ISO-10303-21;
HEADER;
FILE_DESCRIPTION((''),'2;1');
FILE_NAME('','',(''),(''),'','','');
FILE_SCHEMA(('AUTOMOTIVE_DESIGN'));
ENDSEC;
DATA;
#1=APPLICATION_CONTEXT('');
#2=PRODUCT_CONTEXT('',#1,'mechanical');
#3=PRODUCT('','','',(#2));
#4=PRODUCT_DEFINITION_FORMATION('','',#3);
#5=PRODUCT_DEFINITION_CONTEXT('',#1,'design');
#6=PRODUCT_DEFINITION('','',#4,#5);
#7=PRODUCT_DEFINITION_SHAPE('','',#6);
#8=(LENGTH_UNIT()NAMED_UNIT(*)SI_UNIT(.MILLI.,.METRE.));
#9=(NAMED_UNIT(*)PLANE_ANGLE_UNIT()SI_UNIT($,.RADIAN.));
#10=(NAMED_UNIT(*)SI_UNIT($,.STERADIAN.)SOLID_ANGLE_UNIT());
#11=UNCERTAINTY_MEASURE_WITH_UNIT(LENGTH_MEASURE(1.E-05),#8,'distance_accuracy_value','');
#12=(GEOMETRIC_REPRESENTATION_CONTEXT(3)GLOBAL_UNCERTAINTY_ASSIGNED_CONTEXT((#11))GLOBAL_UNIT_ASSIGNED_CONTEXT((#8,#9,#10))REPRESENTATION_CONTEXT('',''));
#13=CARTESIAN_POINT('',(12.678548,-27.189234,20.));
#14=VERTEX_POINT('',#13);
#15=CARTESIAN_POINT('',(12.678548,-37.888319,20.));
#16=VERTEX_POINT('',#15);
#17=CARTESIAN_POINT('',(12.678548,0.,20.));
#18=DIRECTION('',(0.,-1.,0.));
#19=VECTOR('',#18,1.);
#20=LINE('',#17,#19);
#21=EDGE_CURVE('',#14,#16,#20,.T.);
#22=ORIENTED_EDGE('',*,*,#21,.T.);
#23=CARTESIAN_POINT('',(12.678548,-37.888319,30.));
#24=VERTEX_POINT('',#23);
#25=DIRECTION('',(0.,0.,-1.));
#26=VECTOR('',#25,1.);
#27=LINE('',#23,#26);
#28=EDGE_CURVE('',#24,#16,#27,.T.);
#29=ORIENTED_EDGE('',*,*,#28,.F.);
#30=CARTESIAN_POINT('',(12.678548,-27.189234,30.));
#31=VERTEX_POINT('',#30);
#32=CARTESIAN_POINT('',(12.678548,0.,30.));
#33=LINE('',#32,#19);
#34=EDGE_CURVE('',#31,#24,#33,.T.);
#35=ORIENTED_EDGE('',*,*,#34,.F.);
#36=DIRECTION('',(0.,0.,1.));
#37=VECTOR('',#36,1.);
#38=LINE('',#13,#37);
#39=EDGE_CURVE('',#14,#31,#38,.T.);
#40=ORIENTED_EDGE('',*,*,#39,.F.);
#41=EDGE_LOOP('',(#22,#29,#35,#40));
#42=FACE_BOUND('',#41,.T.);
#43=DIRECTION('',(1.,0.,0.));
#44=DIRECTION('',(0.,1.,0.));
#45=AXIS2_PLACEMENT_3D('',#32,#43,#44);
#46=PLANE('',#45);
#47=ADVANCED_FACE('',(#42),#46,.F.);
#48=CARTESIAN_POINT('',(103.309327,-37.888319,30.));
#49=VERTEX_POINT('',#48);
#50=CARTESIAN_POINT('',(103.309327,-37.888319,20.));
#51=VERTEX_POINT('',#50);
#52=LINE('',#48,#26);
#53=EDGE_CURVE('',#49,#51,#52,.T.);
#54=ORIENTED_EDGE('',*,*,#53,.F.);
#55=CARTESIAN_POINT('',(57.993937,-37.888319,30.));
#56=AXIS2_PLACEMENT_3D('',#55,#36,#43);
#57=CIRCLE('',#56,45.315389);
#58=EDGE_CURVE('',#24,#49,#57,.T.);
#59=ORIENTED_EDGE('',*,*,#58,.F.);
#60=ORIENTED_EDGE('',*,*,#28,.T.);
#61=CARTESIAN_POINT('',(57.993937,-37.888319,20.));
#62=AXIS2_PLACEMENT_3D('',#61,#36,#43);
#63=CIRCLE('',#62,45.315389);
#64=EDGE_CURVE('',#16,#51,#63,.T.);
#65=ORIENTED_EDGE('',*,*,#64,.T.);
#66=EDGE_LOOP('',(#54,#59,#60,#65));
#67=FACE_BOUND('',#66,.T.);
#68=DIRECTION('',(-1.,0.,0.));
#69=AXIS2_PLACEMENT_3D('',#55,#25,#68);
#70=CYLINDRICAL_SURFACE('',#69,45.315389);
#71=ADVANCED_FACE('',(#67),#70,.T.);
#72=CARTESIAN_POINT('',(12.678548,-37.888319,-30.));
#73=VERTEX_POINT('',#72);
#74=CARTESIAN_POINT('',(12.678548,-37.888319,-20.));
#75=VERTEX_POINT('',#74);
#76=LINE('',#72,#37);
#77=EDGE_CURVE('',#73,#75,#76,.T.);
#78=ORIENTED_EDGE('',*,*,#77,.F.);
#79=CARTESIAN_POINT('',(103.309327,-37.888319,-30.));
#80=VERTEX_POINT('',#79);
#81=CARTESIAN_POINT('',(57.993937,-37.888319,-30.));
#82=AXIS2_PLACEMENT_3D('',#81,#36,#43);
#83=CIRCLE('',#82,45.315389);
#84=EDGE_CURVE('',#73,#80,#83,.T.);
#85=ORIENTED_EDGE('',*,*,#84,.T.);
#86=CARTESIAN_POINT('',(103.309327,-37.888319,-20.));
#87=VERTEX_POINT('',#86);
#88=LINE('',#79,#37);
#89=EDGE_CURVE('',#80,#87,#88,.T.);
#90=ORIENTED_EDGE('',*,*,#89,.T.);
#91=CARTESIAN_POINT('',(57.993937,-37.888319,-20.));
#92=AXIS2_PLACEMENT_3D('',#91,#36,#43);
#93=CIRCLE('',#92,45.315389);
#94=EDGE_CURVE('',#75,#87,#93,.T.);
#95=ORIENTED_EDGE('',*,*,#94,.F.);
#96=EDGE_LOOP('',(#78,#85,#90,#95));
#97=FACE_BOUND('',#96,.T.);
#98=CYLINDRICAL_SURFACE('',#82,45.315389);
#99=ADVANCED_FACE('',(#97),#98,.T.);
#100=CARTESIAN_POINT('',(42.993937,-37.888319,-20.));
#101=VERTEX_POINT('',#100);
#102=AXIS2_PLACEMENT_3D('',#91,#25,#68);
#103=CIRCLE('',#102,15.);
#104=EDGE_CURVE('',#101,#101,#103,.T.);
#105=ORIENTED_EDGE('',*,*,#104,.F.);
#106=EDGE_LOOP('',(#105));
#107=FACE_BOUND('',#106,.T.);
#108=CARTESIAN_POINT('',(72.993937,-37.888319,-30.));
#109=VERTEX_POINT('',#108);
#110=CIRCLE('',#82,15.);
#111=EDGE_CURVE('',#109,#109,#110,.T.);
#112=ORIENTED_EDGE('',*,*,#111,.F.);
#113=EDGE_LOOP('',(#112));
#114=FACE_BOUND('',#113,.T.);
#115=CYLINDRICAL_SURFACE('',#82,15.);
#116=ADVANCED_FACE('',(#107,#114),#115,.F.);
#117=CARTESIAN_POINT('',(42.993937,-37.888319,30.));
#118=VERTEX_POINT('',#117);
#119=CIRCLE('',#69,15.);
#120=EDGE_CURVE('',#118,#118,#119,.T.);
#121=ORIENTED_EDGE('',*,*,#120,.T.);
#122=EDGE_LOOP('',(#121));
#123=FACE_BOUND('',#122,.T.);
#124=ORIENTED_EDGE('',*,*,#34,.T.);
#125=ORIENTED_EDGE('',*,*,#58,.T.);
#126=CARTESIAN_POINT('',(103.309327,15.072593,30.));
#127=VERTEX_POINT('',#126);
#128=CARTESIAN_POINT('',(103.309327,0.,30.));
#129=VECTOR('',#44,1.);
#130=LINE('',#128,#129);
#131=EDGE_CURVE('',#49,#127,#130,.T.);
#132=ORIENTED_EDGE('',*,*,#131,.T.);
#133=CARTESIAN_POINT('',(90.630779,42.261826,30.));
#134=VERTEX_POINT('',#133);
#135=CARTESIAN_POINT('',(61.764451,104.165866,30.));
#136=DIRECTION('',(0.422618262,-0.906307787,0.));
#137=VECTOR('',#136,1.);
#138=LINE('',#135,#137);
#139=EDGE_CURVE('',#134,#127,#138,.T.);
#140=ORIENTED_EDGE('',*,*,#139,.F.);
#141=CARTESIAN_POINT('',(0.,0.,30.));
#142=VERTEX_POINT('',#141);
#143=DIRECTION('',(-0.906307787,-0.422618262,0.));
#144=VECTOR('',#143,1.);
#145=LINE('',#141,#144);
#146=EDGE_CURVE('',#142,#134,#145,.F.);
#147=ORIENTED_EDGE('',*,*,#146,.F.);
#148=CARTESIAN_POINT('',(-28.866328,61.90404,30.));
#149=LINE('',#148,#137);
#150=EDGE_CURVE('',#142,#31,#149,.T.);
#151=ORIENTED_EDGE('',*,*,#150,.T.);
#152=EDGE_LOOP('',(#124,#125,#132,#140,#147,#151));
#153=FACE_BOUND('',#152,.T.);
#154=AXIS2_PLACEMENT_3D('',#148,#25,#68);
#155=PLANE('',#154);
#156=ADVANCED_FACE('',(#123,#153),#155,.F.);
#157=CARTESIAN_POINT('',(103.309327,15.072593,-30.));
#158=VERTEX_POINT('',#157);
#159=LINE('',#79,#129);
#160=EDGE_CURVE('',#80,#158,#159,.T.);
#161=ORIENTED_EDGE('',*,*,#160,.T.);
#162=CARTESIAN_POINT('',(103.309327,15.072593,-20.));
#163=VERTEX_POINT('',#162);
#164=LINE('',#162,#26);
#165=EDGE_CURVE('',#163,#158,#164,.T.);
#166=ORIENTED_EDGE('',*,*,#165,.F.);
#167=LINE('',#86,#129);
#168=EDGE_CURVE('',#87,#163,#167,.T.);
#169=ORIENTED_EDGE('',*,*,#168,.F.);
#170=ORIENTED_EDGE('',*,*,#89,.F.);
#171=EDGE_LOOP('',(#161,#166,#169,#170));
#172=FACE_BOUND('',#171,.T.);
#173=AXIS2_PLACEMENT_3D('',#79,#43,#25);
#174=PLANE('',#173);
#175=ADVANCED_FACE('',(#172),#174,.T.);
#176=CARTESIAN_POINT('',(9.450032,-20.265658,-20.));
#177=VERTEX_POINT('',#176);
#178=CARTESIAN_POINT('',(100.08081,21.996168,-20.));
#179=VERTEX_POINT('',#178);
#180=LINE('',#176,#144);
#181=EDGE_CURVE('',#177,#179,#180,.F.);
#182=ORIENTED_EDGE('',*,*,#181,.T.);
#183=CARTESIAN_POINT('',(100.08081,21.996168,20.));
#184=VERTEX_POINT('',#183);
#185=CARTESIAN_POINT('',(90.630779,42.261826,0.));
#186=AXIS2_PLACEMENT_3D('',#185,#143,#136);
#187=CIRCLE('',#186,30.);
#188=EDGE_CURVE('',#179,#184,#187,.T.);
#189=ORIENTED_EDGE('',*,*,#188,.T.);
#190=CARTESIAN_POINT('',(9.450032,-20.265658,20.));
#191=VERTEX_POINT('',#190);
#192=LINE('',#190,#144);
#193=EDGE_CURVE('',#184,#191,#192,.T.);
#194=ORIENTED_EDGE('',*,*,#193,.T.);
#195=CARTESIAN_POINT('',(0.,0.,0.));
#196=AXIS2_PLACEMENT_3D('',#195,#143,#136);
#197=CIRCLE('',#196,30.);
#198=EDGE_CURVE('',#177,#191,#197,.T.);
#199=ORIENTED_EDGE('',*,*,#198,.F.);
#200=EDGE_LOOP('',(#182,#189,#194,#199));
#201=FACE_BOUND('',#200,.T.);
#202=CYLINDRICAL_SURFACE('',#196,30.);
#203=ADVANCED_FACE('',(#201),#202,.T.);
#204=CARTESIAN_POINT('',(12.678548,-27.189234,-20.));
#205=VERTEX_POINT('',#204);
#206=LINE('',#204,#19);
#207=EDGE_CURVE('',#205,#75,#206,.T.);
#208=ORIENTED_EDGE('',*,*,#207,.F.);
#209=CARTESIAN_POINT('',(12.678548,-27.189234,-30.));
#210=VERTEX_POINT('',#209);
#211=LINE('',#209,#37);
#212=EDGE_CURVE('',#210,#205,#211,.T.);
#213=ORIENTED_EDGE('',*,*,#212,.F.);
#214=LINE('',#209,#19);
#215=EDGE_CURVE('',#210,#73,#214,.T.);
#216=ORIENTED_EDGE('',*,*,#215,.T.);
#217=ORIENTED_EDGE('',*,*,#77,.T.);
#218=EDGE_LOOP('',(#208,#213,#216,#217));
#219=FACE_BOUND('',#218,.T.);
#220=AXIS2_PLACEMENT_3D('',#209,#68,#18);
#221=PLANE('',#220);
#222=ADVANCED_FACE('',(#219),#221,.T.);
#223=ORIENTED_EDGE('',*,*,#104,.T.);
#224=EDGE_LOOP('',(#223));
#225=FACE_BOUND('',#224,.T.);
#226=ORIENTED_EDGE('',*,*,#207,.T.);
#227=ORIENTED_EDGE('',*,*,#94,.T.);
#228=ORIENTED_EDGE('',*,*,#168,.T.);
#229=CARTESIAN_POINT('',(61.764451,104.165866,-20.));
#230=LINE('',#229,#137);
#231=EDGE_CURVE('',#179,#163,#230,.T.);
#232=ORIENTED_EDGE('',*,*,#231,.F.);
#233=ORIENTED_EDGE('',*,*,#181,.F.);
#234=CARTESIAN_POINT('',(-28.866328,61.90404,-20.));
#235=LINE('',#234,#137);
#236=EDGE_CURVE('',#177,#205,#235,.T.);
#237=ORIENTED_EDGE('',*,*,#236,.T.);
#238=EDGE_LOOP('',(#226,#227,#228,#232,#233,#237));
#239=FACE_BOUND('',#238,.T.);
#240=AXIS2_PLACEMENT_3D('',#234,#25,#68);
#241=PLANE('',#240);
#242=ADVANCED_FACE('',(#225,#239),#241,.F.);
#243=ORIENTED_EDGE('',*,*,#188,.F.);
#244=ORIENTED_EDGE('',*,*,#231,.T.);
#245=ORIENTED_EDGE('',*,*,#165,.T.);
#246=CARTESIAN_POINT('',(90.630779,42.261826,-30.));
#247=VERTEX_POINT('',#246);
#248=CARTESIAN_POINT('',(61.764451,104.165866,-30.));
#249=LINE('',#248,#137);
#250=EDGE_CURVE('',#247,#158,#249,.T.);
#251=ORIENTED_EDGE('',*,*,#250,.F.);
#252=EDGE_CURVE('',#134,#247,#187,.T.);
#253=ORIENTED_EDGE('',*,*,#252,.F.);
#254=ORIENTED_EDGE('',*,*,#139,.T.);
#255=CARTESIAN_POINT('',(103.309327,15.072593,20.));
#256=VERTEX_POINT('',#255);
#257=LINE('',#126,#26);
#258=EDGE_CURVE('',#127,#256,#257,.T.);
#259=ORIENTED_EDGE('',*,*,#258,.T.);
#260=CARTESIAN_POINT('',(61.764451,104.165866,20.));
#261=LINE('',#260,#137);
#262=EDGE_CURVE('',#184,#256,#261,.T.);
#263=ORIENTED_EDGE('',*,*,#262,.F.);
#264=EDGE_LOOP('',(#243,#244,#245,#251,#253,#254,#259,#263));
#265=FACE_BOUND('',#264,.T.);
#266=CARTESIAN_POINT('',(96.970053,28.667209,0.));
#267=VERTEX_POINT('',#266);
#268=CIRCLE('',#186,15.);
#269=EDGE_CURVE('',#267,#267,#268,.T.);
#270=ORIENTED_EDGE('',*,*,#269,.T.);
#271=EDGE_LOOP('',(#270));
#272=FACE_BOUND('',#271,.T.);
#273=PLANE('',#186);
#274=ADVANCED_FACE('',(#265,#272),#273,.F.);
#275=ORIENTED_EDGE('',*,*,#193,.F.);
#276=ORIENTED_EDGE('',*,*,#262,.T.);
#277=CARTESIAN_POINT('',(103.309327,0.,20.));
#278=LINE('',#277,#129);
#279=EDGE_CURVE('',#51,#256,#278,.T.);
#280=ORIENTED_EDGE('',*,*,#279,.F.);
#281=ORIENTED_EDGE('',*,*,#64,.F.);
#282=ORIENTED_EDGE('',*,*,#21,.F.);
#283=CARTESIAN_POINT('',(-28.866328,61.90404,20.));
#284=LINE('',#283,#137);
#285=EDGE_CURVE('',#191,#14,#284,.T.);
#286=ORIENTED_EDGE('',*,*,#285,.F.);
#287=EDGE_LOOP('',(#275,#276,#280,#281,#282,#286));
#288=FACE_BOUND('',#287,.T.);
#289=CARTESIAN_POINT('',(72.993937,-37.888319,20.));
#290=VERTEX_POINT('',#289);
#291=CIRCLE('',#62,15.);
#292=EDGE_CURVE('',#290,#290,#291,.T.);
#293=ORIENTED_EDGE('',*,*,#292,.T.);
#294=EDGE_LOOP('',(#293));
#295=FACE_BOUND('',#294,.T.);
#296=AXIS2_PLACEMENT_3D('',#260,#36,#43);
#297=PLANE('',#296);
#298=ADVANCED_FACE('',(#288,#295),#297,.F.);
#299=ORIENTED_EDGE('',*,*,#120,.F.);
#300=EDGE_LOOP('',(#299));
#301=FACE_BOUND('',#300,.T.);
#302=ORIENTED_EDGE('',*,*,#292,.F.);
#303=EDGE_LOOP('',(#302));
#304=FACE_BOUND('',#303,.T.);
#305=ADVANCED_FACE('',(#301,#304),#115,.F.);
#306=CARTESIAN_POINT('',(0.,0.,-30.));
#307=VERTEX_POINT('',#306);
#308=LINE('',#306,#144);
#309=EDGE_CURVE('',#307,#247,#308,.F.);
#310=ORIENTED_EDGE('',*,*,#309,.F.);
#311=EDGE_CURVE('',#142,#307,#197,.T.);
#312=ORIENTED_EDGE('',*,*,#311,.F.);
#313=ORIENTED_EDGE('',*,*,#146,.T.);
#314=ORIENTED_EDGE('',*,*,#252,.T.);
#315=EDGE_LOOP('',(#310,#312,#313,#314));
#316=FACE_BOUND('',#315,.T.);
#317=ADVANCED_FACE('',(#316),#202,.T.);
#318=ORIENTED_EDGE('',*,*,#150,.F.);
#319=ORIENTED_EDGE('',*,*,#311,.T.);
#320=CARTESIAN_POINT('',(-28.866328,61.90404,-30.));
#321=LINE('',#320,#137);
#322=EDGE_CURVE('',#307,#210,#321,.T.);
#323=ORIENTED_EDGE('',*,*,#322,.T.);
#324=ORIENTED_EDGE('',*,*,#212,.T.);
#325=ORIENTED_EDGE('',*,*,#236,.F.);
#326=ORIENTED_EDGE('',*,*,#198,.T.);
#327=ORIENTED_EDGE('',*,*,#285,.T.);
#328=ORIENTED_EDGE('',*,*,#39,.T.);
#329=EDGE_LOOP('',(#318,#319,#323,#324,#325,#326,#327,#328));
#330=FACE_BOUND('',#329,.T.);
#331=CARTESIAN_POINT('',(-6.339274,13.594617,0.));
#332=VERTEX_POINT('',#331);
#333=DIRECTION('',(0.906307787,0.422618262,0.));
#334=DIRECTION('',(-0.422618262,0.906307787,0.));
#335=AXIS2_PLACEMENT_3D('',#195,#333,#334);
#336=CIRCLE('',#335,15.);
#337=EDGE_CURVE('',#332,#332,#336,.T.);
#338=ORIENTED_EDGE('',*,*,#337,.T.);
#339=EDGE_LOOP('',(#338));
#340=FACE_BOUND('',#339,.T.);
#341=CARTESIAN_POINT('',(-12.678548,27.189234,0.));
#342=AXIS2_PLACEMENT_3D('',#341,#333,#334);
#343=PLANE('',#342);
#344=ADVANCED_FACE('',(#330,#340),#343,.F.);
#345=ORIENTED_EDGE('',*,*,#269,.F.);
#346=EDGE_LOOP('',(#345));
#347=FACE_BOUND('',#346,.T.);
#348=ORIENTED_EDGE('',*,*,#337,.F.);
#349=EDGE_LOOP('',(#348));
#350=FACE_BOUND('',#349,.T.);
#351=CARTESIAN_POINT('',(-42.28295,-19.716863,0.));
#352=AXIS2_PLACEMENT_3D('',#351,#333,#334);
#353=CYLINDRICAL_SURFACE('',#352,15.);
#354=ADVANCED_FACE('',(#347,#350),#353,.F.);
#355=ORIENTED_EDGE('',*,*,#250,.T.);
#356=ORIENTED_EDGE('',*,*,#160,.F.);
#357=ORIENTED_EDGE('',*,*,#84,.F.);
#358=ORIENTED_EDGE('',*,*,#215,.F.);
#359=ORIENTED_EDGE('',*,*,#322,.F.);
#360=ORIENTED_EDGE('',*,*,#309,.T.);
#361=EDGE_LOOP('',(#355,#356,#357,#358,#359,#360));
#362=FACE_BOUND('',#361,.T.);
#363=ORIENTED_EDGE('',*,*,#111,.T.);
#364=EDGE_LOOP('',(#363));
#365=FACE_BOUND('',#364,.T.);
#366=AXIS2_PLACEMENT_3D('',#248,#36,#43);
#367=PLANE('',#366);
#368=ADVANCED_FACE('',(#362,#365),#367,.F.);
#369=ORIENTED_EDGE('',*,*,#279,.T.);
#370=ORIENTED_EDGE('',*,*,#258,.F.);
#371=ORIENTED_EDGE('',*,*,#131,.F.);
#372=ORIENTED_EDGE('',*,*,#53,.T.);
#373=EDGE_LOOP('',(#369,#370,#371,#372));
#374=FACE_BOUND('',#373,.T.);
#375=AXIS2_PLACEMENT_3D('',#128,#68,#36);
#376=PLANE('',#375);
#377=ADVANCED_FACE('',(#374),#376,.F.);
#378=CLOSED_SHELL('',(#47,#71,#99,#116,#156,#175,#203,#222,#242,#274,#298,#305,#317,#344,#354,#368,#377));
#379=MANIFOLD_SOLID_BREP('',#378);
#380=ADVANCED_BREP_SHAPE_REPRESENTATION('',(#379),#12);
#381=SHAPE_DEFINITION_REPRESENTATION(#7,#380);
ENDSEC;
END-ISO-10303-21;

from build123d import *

# Parameters (mm, degrees)
BOSS_EXTRUDE1_START     = 20
BOSS_EXTRUDE1_DEPTH     = 10
BOSS_EXTRUDE2_START     = -20
BOSS_EXTRUDE2_DEPTH     = 10
SKETCH3_W               = 100
SKETCH3_H               = 10
BOSS_EXTRUDE3_DEPTH     = 30
SKETCH4_R               = 15
CUT_EXTRUDE1_DEPTH      = 23.981333294
CUT_EXTRUDE1_DEPTH_BACK = 147.654073313
SKETCH5_R               = 15
CUT_EXTRUDE2_DEPTH      = 1
CUT_EXTRUDE2_DEPTH_BACK = 61


with BuildPart() as part:
    # Sketch1 → Revolve1 (revolve)
    with BuildSketch(Plane.XY):
        Polygon((0, 0), (90.630778704, 42.261826174), (77.952230851, 69.451059785), (-12.678547852, 27.189233611), align=None)
    revolve(axis=Axis((0, 0, 0), (0.906307787, 0.422618262, 0)))



with BuildPart() as body_2:
    # Sketch2 → Boss-Extrude1 (new body)
    with BuildSketch(Plane.XY.offset(BOSS_EXTRUDE1_START)):
        with BuildLine():
            Line((12.678547852, -27.189233611), (12.678547852, -37.88831917))
            ThreePointArc((12.678547852, -37.88831917), (57.993937204, -83.203708522), (103.309326556, -37.88831917))
            Line((103.309326556, -37.88831917), (103.309326556, 15.072592563))
            Line((103.309326556, 15.072592563), (12.678547852, -27.189233611))
        make_face()
    extrude(amount=BOSS_EXTRUDE1_DEPTH)


with BuildPart() as body_3:
    # Sketch2<3> → Boss-Extrude2 (new body)
    with BuildSketch(Plane.XY.offset(BOSS_EXTRUDE2_START)):
        with BuildLine():
            Line((12.678547852, -27.189233611), (12.678547852, -37.88831917))
            ThreePointArc((12.678547852, -37.88831917), (57.993937204, -83.203708522), (103.309326556, -37.88831917))
            Line((103.309326556, -37.88831917), (103.309326556, 15.072592563))
            Line((103.309326556, 15.072592563), (12.678547852, -27.189233611))
        make_face()
    extrude(amount=-BOSS_EXTRUDE2_DEPTH)


with BuildPart() as part_1:
    add(part.part)

    add(body_2.part)  # Boss-Extrude3 merges body 2

    add(body_3.part)  # Boss-Extrude3 merges body 3
    # Sketch3 → Boss-Extrude3 (add)
    with BuildSketch(Plane(origin=(12.678547852, -27.189233611, 0), x_dir=(0.906307787, 0.422618262, 0), z_dir=(-0.422618262, 0.906307787, 0))):
        with Locations((50, -25)):
            Rectangle(SKETCH3_W, SKETCH3_H)
        with Locations((50, 25)):
            Rectangle(SKETCH3_W, SKETCH3_H)
    extrude(amount=BOSS_EXTRUDE3_DEPTH)

    # Sketch4 → Cut-Extrude1 (cut, two sides)
    with BuildSketch(Plane(origin=(90.630778704, 42.261826174, 0), x_dir=(0, 0, -1), z_dir=(0.906307787, 0.422618262, 0))) as cut_extrude1_sk:
        Circle(SKETCH4_R)
    extrude(amount=CUT_EXTRUDE1_DEPTH, mode=Mode.SUBTRACT)
    extrude(cut_extrude1_sk.sketch, amount=-CUT_EXTRUDE1_DEPTH_BACK, mode=Mode.SUBTRACT)

    # Sketch5 → Cut-Extrude2 (cut, two sides)
    with BuildSketch(Plane.XY.offset(30)) as cut_extrude2_sk:
        with Locations((57.993937204, -37.88831917)):
            Circle(SKETCH5_R)
    extrude(amount=CUT_EXTRUDE2_DEPTH, mode=Mode.SUBTRACT)
    extrude(cut_extrude2_sk.sketch, amount=-CUT_EXTRUDE2_DEPTH_BACK, mode=Mode.SUBTRACT)


solid = part_1.part
